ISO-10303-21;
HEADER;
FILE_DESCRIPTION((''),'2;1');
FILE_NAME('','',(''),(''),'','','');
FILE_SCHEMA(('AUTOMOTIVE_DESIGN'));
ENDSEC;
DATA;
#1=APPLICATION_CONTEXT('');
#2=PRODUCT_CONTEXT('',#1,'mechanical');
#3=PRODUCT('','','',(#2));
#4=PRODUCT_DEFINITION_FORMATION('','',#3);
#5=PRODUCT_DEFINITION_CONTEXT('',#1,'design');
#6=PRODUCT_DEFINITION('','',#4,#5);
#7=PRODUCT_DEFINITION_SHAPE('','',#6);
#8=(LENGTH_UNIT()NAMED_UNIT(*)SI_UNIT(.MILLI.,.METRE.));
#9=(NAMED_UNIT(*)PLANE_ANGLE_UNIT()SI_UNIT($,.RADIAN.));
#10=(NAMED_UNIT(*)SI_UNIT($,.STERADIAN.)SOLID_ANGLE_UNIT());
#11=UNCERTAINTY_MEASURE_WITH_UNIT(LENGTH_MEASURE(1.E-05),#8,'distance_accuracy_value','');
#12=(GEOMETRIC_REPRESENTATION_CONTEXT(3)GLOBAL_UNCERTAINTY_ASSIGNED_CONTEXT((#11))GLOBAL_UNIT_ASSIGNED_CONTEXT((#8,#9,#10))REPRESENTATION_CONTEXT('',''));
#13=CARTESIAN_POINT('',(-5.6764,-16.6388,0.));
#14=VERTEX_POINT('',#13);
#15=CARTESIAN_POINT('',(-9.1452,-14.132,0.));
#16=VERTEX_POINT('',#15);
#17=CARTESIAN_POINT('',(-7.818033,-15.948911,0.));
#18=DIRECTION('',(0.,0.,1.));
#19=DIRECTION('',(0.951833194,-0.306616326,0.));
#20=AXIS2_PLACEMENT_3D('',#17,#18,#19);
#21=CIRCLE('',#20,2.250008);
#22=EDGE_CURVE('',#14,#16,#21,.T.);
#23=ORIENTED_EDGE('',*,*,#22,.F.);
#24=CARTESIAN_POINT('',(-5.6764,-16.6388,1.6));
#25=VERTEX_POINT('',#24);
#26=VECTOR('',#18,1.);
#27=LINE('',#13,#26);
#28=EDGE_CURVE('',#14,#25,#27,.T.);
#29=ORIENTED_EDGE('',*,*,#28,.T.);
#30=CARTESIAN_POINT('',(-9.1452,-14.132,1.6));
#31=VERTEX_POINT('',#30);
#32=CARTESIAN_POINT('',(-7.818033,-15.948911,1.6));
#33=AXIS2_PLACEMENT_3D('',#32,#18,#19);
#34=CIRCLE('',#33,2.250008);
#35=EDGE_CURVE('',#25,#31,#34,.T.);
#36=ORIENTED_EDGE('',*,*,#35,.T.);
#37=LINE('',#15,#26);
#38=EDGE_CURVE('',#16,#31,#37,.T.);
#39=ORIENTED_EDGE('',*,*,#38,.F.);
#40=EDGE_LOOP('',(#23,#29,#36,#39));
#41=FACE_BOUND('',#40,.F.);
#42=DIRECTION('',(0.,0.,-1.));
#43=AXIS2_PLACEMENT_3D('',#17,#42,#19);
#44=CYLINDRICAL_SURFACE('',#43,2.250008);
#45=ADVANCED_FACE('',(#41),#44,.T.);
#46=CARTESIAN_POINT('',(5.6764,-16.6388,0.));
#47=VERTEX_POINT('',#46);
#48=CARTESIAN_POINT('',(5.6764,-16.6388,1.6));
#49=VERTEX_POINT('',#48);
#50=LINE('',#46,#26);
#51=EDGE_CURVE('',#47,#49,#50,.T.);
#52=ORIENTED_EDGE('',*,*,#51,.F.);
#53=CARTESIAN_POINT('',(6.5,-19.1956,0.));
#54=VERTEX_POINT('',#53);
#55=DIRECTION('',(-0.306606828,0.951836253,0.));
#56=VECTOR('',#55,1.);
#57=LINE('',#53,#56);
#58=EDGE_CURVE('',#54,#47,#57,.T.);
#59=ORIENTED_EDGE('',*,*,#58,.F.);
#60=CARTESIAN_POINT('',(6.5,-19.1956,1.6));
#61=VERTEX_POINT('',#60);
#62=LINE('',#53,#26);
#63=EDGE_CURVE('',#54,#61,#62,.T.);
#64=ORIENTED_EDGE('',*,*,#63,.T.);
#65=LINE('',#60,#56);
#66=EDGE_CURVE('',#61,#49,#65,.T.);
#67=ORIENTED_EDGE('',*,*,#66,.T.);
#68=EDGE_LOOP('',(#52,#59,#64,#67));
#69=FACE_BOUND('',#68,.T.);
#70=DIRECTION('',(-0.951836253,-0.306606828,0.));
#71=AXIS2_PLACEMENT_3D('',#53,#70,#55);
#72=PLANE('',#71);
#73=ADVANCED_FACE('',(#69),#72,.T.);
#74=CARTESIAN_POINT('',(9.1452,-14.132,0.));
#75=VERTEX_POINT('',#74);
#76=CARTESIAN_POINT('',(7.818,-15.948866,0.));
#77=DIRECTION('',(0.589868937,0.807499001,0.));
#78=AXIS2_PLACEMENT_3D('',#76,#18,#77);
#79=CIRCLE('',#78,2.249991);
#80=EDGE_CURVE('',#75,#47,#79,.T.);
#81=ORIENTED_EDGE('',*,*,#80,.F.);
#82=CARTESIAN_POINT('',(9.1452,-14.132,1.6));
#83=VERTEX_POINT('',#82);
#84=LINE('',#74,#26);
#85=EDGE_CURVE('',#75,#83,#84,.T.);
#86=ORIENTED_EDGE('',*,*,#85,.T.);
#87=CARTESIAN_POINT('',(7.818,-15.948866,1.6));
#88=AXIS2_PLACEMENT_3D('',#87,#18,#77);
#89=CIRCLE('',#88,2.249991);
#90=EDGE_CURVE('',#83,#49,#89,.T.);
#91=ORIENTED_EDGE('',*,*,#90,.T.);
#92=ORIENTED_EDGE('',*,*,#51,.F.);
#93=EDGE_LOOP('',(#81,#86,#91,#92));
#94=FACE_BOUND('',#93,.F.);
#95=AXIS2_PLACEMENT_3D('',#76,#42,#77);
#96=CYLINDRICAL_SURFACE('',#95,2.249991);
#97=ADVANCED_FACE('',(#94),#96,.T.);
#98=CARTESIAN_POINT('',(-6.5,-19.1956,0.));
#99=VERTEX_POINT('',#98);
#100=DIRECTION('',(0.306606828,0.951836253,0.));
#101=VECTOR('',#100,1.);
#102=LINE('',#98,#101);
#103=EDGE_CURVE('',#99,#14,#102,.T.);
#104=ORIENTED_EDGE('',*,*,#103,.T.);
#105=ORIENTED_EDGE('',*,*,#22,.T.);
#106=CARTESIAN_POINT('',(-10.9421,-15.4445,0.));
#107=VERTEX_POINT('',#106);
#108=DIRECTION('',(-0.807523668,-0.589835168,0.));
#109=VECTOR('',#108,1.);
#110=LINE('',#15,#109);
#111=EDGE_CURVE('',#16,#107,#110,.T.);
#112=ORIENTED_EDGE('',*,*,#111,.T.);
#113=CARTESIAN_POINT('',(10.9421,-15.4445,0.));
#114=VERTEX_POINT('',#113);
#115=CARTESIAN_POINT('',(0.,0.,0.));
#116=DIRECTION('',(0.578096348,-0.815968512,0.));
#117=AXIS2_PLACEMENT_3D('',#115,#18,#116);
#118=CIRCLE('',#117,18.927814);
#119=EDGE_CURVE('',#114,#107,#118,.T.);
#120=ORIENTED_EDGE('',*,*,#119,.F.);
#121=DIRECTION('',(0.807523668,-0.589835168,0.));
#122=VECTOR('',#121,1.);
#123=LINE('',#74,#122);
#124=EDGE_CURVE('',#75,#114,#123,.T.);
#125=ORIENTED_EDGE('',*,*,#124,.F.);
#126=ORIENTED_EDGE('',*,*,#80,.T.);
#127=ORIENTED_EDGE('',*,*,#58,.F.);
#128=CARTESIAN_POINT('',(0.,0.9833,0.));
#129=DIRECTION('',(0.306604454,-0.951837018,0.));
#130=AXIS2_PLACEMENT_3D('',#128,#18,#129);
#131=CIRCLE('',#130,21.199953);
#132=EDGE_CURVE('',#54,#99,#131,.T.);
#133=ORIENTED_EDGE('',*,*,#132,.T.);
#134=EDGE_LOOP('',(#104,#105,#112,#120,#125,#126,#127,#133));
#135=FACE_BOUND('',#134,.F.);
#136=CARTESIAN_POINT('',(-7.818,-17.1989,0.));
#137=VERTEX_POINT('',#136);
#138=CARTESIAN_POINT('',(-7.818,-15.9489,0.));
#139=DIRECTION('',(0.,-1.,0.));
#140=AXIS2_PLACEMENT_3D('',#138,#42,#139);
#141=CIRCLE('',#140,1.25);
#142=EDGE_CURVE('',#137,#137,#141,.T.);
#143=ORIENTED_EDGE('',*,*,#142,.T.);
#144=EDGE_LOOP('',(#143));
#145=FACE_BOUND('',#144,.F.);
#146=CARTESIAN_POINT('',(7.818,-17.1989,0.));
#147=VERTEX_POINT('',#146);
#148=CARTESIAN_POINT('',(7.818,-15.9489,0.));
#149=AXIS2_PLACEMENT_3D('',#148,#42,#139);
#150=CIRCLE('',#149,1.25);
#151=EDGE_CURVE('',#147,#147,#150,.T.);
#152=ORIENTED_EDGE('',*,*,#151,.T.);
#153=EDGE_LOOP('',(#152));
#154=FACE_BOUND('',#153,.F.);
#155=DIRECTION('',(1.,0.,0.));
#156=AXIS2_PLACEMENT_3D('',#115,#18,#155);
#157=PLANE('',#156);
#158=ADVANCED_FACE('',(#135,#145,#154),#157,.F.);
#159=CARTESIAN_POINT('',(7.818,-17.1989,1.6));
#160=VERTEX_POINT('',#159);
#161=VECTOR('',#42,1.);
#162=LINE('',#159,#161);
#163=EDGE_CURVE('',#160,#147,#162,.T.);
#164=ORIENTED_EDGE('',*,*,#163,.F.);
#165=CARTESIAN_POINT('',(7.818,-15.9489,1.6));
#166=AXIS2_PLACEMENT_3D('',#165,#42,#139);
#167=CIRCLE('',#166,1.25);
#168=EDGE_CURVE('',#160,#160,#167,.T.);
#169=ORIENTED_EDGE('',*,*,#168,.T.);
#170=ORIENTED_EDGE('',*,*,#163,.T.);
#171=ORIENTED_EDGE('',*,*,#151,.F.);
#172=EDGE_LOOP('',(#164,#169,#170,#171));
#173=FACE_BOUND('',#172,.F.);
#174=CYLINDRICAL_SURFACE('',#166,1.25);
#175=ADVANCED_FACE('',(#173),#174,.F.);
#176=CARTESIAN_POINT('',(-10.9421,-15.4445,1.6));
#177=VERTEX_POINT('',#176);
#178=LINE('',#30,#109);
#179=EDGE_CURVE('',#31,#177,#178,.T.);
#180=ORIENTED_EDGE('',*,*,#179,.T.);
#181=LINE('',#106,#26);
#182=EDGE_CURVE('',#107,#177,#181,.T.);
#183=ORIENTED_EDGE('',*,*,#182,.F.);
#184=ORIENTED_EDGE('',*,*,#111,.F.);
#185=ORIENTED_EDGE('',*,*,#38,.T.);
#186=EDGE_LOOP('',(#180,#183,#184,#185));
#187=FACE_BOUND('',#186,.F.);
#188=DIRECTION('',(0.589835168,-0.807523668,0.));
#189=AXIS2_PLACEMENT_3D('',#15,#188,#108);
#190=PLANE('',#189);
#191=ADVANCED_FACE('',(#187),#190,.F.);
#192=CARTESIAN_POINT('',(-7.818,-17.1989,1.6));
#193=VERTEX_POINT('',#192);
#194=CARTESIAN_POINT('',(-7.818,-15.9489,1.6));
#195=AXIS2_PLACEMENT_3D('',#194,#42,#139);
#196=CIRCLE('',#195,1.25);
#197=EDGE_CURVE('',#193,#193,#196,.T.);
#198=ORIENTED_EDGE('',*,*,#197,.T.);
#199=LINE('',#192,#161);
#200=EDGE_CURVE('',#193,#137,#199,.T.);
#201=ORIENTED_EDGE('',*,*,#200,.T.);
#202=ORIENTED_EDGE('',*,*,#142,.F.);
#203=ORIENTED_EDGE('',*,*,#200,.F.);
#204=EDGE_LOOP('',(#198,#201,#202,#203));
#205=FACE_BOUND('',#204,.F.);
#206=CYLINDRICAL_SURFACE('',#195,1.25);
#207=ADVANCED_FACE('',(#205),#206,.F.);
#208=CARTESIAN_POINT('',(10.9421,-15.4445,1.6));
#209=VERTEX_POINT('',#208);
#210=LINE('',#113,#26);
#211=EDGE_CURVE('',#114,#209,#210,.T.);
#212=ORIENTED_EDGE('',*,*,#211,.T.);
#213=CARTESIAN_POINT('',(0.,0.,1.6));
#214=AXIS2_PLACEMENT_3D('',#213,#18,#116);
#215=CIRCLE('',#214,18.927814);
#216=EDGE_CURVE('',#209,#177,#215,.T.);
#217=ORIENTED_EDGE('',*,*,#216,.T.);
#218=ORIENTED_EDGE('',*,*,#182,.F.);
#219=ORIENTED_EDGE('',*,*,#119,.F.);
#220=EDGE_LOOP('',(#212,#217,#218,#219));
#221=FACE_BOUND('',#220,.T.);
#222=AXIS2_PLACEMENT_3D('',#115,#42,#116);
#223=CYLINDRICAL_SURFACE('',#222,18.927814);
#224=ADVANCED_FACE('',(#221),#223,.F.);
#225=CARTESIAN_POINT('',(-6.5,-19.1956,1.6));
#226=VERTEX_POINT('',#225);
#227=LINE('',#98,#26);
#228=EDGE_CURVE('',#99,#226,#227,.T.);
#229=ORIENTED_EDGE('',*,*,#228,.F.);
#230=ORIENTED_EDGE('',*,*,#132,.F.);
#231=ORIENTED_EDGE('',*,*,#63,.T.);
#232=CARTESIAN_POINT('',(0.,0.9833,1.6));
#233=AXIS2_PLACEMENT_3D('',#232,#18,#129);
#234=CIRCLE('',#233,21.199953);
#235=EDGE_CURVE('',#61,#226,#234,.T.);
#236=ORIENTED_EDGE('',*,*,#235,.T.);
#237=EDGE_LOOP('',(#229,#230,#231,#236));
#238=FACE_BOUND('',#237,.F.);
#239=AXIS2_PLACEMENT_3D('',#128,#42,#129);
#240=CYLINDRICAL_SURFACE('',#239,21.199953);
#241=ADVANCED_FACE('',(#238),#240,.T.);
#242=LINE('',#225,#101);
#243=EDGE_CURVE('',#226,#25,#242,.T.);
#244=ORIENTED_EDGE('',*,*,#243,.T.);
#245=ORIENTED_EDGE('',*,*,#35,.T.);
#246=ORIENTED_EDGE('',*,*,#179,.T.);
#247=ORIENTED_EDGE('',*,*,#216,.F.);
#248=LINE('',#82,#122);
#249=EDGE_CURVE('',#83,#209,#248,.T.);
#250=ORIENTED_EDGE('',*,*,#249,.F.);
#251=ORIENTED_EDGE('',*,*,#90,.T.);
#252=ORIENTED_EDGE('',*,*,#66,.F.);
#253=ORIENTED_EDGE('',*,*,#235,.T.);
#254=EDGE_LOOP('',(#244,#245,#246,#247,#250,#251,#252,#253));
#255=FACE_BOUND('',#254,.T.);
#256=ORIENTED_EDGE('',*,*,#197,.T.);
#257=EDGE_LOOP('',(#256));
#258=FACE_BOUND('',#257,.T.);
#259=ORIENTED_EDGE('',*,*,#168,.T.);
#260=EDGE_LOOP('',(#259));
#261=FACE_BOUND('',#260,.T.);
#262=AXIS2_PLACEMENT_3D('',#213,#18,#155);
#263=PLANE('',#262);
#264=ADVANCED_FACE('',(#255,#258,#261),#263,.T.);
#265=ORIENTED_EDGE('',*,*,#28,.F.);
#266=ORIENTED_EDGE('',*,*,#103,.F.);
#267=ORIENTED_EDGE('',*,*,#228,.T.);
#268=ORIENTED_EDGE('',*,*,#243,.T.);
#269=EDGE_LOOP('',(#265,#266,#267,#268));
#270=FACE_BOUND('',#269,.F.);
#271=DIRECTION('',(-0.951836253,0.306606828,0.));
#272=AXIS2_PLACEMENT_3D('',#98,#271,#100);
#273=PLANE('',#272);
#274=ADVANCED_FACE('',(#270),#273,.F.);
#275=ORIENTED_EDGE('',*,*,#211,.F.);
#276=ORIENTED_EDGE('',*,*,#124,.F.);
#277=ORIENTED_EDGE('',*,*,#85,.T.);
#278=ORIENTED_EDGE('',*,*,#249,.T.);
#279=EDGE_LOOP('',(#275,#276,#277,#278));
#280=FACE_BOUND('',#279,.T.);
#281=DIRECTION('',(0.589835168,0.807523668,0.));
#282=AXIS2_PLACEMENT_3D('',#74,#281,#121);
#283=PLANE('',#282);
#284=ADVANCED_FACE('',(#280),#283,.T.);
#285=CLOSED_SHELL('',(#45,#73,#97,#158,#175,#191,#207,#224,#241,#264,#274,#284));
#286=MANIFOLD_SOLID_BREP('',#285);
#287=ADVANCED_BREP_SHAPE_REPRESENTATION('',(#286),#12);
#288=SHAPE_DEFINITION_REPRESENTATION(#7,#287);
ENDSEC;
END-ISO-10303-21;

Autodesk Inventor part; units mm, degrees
ref_plane "WorkPlane1" through (0, 0, 0) normal (0, 0, 1) x (1, 0, 0)
ref_plane "Work Plane2" through (0, 0, -1.6) normal (0, 0, 1) x (1, 0, 0)
ref_plane "WorkPlane2" through (0, 0, 1) normal (0, 0, 1) x (1, 0, 0)
sketch "Sketch1" plane through (0, 0, 0) normal (0, 0, 1) x (1, 0, 0)
  point P0 (0, 0)
sketch "Sketch2" plane through (0, 0, 0) normal (0, 0, 1) x (1, 0, 0)
  line L0 (6.5, -19.1956) -> (5.6764, -16.6388)
  arc A0 (9.1452, -14.132) -> (5.6764, -16.6388) centre (7.818, -15.9489) ccw
  line L1 (9.1452, -14.132) -> (10.9421, -15.4445)
  arc A1 (10.9421, -15.4445) -> (-10.9421, -15.4445) centre (0, 0) ccw
  line L2 (-9.1452, -14.132) -> (-10.9421, -15.4445)
  arc A2 (-5.6764, -16.6388) -> (-9.1452, -14.132) centre (-7.818, -15.9489) ccw
  line L3 (-6.5, -19.1956) -> (-5.6764, -16.6388)
  arc A3 (6.5, -19.1956) -> (-6.5, -19.1956) centre (0, 0.9833) ccw
  line L4 (0, 0.9833) -> (-6.5, -19.1956) construction
  line L5 (0, 0.9833) -> (6.5, -19.1956) construction
  dimension "d2" = 21.2
  dimension "d4" = 0
  dimension "d6" = 18.9278
  dimension "d8" = 0.9833
  dimension "d10" = 6.5
  dimension "d12" = 6.5
  dimension "d14" = 2.25
  dimension "d16" = 2.25
  dimension "d18" = 18.65
  dimension "d20" = 18.65
  dimension "d22" = 36
  dimension "d24" = 36
extrude "Extrusion1" add sketch "Sketch2" along normal blind 1.6
sketch "Sketch3" plane through (0, 0, 1.6) normal (0, 0, 1) x (1, 0, 0)
  arc A0 (-5.6764, -16.6388) -> (-9.1452, -14.132) centre (-7.818, -15.9489) ccw projected
hole "Hole1" at (-7.818, -15.9489, 1.6) direction (0, 0, -1) diameter 2.5 end through all
sketch "Sketch4" plane through (0, 0, 1.6) normal (0, 0, 1) x (1, 0, 0)
  arc A0 (9.1452, -14.132) -> (5.6764, -16.6388) centre (7.818, -15.9489) ccw projected
hole "Hole2" at (7.818, -15.9489, 1.6) direction (0, 0, -1) diameter 2.5 end through all
equation "\"d29\" = Diam5"
equation "\"d36\" = Diam5"
equation "\"d2\" = 0.5 * Diam2"
equation "\"d6\" = 0.5 * msp_dd1"
equation "\"d8\" = -0.5 * msp_dd1 + 0.5 * Diam2 - 0.222222 * ParA"
equation "\"d10\" = 2.6 * Diam5"
equation "\"d12\" = 2.6 * Diam5"
equation "\"d14\" = 0.9 * Diam5"
equation "\"d16\" = 0.9 * Diam5"
equation "\"d18\" = 1.3 * Diam5 + 0.5 * Diam2 - ParA"
equation "\"d20\" = 1.3 * Diam5 + 0.5 * Diam2 - ParA"
equation "\"d25\" = ParS"
equation "\"Diam5\" = 2.5"
equation "\"ParA\" = 5.8"
equation "\"ParS\" = 1.6"
equation "\"Diam2\" = 42.4"
equation "\"msp_dd1\" = -b + Diam2 - 0.111111 * ParA"
equation "\"msp_pom\" = 0.5 * Diam2 - b"
equation "\"TEMPLATE\" = 1.2345"
properties part number "Кольцо стопорное внутреннее" material "Steel, Mild"
